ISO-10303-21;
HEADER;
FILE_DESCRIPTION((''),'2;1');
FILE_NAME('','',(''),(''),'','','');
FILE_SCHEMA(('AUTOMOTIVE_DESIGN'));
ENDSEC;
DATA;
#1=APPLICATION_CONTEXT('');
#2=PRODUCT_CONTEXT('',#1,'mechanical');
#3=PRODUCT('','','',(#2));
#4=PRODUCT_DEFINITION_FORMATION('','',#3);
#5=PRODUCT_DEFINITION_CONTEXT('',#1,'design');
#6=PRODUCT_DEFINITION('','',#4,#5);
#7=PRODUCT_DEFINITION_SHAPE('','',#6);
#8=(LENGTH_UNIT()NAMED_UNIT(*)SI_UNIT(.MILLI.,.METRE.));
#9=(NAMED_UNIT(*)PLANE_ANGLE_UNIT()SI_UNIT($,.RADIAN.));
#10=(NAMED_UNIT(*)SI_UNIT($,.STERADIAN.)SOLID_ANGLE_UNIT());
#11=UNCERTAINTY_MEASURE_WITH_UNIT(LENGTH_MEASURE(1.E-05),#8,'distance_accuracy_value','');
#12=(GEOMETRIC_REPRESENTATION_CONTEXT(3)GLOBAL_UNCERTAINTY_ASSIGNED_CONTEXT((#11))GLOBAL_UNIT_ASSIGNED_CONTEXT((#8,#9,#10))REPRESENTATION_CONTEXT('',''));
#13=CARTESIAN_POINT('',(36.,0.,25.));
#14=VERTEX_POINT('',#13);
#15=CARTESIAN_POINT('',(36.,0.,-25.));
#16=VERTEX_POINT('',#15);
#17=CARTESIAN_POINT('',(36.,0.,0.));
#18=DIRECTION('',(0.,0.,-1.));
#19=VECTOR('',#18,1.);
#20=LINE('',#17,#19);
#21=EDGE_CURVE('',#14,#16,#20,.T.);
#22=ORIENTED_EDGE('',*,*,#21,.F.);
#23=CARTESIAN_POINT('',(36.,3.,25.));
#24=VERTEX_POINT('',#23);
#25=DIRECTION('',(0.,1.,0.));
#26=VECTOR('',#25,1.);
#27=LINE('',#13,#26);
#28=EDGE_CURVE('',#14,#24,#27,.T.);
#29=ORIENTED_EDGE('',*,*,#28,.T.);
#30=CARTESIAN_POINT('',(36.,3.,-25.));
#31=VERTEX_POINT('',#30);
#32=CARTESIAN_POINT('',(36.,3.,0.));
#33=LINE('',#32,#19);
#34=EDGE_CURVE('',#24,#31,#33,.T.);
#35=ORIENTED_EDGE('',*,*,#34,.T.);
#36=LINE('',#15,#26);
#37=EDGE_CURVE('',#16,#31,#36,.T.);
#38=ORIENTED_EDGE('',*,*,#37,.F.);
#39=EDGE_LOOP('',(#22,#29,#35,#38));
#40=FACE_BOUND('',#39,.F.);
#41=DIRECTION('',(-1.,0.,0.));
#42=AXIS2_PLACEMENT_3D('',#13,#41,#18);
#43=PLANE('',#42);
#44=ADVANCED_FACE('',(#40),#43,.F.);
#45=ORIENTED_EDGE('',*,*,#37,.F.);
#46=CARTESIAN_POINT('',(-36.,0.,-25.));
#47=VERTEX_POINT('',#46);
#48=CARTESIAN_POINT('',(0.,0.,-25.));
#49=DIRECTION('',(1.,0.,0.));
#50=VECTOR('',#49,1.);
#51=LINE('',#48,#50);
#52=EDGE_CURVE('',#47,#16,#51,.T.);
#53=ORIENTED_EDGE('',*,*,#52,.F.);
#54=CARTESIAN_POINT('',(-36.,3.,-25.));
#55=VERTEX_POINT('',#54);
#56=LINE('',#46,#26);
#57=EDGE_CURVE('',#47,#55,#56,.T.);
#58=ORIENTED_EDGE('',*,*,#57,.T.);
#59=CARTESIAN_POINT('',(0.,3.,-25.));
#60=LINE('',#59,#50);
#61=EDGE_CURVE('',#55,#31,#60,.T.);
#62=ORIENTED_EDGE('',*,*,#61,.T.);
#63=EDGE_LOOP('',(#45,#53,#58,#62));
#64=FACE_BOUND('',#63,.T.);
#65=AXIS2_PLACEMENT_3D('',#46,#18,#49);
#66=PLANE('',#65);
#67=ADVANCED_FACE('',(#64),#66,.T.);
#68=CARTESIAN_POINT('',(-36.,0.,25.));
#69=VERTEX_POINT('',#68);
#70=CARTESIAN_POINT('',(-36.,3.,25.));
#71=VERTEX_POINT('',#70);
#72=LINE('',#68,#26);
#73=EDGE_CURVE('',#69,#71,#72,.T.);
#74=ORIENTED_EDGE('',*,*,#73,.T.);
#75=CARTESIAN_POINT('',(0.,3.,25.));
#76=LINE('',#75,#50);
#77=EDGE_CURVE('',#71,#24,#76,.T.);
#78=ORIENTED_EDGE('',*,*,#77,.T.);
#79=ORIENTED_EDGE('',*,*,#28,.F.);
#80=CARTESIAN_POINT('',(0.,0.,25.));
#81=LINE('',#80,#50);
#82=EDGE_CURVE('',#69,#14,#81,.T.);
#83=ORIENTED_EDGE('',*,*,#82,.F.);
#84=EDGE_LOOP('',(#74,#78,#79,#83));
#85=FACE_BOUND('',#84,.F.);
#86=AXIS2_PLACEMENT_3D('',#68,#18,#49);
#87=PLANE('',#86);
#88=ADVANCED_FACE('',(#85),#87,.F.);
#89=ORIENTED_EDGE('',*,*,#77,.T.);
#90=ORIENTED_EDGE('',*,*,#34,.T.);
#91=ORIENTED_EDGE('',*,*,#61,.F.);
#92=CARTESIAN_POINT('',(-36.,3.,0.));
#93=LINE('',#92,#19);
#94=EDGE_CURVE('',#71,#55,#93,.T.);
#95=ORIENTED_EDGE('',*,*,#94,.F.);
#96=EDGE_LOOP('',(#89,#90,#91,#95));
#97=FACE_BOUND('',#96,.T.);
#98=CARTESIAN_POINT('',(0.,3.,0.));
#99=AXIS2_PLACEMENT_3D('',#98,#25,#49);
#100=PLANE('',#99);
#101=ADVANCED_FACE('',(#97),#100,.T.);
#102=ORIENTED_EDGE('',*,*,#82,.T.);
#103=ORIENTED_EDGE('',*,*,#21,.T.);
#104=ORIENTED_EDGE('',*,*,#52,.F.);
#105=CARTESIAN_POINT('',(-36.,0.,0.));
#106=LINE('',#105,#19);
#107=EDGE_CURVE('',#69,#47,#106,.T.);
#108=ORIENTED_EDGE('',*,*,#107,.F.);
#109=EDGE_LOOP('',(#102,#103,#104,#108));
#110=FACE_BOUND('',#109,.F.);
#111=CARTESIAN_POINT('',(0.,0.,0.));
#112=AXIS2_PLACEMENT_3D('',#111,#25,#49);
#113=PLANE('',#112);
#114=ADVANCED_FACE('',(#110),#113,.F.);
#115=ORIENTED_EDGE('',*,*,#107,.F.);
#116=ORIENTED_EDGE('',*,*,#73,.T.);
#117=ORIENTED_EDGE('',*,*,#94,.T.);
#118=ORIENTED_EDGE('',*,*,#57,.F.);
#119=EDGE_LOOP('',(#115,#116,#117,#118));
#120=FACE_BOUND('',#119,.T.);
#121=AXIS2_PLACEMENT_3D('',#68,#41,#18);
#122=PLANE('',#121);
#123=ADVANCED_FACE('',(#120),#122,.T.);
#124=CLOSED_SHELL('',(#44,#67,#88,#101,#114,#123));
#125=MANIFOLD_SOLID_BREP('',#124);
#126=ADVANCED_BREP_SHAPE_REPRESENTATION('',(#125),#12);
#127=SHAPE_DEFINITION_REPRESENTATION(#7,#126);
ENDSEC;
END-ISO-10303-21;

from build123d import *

# Parameters (mm, degrees)
SKETCH_1_W      = 72
SKETCH_1_H      = 50
EXTRUDE_1_DEPTH = 3


with BuildPart() as part:
    # 草图1 → 凸台-拉伸1 (new body)
    with BuildSketch(Plane(origin=(0, 0, 0), x_dir=(1, 0, 0), z_dir=(0, 1, 0))):
        Rectangle(SKETCH_1_W, SKETCH_1_H)
    extrude(amount=EXTRUDE_1_DEPTH)


solid = part.part
